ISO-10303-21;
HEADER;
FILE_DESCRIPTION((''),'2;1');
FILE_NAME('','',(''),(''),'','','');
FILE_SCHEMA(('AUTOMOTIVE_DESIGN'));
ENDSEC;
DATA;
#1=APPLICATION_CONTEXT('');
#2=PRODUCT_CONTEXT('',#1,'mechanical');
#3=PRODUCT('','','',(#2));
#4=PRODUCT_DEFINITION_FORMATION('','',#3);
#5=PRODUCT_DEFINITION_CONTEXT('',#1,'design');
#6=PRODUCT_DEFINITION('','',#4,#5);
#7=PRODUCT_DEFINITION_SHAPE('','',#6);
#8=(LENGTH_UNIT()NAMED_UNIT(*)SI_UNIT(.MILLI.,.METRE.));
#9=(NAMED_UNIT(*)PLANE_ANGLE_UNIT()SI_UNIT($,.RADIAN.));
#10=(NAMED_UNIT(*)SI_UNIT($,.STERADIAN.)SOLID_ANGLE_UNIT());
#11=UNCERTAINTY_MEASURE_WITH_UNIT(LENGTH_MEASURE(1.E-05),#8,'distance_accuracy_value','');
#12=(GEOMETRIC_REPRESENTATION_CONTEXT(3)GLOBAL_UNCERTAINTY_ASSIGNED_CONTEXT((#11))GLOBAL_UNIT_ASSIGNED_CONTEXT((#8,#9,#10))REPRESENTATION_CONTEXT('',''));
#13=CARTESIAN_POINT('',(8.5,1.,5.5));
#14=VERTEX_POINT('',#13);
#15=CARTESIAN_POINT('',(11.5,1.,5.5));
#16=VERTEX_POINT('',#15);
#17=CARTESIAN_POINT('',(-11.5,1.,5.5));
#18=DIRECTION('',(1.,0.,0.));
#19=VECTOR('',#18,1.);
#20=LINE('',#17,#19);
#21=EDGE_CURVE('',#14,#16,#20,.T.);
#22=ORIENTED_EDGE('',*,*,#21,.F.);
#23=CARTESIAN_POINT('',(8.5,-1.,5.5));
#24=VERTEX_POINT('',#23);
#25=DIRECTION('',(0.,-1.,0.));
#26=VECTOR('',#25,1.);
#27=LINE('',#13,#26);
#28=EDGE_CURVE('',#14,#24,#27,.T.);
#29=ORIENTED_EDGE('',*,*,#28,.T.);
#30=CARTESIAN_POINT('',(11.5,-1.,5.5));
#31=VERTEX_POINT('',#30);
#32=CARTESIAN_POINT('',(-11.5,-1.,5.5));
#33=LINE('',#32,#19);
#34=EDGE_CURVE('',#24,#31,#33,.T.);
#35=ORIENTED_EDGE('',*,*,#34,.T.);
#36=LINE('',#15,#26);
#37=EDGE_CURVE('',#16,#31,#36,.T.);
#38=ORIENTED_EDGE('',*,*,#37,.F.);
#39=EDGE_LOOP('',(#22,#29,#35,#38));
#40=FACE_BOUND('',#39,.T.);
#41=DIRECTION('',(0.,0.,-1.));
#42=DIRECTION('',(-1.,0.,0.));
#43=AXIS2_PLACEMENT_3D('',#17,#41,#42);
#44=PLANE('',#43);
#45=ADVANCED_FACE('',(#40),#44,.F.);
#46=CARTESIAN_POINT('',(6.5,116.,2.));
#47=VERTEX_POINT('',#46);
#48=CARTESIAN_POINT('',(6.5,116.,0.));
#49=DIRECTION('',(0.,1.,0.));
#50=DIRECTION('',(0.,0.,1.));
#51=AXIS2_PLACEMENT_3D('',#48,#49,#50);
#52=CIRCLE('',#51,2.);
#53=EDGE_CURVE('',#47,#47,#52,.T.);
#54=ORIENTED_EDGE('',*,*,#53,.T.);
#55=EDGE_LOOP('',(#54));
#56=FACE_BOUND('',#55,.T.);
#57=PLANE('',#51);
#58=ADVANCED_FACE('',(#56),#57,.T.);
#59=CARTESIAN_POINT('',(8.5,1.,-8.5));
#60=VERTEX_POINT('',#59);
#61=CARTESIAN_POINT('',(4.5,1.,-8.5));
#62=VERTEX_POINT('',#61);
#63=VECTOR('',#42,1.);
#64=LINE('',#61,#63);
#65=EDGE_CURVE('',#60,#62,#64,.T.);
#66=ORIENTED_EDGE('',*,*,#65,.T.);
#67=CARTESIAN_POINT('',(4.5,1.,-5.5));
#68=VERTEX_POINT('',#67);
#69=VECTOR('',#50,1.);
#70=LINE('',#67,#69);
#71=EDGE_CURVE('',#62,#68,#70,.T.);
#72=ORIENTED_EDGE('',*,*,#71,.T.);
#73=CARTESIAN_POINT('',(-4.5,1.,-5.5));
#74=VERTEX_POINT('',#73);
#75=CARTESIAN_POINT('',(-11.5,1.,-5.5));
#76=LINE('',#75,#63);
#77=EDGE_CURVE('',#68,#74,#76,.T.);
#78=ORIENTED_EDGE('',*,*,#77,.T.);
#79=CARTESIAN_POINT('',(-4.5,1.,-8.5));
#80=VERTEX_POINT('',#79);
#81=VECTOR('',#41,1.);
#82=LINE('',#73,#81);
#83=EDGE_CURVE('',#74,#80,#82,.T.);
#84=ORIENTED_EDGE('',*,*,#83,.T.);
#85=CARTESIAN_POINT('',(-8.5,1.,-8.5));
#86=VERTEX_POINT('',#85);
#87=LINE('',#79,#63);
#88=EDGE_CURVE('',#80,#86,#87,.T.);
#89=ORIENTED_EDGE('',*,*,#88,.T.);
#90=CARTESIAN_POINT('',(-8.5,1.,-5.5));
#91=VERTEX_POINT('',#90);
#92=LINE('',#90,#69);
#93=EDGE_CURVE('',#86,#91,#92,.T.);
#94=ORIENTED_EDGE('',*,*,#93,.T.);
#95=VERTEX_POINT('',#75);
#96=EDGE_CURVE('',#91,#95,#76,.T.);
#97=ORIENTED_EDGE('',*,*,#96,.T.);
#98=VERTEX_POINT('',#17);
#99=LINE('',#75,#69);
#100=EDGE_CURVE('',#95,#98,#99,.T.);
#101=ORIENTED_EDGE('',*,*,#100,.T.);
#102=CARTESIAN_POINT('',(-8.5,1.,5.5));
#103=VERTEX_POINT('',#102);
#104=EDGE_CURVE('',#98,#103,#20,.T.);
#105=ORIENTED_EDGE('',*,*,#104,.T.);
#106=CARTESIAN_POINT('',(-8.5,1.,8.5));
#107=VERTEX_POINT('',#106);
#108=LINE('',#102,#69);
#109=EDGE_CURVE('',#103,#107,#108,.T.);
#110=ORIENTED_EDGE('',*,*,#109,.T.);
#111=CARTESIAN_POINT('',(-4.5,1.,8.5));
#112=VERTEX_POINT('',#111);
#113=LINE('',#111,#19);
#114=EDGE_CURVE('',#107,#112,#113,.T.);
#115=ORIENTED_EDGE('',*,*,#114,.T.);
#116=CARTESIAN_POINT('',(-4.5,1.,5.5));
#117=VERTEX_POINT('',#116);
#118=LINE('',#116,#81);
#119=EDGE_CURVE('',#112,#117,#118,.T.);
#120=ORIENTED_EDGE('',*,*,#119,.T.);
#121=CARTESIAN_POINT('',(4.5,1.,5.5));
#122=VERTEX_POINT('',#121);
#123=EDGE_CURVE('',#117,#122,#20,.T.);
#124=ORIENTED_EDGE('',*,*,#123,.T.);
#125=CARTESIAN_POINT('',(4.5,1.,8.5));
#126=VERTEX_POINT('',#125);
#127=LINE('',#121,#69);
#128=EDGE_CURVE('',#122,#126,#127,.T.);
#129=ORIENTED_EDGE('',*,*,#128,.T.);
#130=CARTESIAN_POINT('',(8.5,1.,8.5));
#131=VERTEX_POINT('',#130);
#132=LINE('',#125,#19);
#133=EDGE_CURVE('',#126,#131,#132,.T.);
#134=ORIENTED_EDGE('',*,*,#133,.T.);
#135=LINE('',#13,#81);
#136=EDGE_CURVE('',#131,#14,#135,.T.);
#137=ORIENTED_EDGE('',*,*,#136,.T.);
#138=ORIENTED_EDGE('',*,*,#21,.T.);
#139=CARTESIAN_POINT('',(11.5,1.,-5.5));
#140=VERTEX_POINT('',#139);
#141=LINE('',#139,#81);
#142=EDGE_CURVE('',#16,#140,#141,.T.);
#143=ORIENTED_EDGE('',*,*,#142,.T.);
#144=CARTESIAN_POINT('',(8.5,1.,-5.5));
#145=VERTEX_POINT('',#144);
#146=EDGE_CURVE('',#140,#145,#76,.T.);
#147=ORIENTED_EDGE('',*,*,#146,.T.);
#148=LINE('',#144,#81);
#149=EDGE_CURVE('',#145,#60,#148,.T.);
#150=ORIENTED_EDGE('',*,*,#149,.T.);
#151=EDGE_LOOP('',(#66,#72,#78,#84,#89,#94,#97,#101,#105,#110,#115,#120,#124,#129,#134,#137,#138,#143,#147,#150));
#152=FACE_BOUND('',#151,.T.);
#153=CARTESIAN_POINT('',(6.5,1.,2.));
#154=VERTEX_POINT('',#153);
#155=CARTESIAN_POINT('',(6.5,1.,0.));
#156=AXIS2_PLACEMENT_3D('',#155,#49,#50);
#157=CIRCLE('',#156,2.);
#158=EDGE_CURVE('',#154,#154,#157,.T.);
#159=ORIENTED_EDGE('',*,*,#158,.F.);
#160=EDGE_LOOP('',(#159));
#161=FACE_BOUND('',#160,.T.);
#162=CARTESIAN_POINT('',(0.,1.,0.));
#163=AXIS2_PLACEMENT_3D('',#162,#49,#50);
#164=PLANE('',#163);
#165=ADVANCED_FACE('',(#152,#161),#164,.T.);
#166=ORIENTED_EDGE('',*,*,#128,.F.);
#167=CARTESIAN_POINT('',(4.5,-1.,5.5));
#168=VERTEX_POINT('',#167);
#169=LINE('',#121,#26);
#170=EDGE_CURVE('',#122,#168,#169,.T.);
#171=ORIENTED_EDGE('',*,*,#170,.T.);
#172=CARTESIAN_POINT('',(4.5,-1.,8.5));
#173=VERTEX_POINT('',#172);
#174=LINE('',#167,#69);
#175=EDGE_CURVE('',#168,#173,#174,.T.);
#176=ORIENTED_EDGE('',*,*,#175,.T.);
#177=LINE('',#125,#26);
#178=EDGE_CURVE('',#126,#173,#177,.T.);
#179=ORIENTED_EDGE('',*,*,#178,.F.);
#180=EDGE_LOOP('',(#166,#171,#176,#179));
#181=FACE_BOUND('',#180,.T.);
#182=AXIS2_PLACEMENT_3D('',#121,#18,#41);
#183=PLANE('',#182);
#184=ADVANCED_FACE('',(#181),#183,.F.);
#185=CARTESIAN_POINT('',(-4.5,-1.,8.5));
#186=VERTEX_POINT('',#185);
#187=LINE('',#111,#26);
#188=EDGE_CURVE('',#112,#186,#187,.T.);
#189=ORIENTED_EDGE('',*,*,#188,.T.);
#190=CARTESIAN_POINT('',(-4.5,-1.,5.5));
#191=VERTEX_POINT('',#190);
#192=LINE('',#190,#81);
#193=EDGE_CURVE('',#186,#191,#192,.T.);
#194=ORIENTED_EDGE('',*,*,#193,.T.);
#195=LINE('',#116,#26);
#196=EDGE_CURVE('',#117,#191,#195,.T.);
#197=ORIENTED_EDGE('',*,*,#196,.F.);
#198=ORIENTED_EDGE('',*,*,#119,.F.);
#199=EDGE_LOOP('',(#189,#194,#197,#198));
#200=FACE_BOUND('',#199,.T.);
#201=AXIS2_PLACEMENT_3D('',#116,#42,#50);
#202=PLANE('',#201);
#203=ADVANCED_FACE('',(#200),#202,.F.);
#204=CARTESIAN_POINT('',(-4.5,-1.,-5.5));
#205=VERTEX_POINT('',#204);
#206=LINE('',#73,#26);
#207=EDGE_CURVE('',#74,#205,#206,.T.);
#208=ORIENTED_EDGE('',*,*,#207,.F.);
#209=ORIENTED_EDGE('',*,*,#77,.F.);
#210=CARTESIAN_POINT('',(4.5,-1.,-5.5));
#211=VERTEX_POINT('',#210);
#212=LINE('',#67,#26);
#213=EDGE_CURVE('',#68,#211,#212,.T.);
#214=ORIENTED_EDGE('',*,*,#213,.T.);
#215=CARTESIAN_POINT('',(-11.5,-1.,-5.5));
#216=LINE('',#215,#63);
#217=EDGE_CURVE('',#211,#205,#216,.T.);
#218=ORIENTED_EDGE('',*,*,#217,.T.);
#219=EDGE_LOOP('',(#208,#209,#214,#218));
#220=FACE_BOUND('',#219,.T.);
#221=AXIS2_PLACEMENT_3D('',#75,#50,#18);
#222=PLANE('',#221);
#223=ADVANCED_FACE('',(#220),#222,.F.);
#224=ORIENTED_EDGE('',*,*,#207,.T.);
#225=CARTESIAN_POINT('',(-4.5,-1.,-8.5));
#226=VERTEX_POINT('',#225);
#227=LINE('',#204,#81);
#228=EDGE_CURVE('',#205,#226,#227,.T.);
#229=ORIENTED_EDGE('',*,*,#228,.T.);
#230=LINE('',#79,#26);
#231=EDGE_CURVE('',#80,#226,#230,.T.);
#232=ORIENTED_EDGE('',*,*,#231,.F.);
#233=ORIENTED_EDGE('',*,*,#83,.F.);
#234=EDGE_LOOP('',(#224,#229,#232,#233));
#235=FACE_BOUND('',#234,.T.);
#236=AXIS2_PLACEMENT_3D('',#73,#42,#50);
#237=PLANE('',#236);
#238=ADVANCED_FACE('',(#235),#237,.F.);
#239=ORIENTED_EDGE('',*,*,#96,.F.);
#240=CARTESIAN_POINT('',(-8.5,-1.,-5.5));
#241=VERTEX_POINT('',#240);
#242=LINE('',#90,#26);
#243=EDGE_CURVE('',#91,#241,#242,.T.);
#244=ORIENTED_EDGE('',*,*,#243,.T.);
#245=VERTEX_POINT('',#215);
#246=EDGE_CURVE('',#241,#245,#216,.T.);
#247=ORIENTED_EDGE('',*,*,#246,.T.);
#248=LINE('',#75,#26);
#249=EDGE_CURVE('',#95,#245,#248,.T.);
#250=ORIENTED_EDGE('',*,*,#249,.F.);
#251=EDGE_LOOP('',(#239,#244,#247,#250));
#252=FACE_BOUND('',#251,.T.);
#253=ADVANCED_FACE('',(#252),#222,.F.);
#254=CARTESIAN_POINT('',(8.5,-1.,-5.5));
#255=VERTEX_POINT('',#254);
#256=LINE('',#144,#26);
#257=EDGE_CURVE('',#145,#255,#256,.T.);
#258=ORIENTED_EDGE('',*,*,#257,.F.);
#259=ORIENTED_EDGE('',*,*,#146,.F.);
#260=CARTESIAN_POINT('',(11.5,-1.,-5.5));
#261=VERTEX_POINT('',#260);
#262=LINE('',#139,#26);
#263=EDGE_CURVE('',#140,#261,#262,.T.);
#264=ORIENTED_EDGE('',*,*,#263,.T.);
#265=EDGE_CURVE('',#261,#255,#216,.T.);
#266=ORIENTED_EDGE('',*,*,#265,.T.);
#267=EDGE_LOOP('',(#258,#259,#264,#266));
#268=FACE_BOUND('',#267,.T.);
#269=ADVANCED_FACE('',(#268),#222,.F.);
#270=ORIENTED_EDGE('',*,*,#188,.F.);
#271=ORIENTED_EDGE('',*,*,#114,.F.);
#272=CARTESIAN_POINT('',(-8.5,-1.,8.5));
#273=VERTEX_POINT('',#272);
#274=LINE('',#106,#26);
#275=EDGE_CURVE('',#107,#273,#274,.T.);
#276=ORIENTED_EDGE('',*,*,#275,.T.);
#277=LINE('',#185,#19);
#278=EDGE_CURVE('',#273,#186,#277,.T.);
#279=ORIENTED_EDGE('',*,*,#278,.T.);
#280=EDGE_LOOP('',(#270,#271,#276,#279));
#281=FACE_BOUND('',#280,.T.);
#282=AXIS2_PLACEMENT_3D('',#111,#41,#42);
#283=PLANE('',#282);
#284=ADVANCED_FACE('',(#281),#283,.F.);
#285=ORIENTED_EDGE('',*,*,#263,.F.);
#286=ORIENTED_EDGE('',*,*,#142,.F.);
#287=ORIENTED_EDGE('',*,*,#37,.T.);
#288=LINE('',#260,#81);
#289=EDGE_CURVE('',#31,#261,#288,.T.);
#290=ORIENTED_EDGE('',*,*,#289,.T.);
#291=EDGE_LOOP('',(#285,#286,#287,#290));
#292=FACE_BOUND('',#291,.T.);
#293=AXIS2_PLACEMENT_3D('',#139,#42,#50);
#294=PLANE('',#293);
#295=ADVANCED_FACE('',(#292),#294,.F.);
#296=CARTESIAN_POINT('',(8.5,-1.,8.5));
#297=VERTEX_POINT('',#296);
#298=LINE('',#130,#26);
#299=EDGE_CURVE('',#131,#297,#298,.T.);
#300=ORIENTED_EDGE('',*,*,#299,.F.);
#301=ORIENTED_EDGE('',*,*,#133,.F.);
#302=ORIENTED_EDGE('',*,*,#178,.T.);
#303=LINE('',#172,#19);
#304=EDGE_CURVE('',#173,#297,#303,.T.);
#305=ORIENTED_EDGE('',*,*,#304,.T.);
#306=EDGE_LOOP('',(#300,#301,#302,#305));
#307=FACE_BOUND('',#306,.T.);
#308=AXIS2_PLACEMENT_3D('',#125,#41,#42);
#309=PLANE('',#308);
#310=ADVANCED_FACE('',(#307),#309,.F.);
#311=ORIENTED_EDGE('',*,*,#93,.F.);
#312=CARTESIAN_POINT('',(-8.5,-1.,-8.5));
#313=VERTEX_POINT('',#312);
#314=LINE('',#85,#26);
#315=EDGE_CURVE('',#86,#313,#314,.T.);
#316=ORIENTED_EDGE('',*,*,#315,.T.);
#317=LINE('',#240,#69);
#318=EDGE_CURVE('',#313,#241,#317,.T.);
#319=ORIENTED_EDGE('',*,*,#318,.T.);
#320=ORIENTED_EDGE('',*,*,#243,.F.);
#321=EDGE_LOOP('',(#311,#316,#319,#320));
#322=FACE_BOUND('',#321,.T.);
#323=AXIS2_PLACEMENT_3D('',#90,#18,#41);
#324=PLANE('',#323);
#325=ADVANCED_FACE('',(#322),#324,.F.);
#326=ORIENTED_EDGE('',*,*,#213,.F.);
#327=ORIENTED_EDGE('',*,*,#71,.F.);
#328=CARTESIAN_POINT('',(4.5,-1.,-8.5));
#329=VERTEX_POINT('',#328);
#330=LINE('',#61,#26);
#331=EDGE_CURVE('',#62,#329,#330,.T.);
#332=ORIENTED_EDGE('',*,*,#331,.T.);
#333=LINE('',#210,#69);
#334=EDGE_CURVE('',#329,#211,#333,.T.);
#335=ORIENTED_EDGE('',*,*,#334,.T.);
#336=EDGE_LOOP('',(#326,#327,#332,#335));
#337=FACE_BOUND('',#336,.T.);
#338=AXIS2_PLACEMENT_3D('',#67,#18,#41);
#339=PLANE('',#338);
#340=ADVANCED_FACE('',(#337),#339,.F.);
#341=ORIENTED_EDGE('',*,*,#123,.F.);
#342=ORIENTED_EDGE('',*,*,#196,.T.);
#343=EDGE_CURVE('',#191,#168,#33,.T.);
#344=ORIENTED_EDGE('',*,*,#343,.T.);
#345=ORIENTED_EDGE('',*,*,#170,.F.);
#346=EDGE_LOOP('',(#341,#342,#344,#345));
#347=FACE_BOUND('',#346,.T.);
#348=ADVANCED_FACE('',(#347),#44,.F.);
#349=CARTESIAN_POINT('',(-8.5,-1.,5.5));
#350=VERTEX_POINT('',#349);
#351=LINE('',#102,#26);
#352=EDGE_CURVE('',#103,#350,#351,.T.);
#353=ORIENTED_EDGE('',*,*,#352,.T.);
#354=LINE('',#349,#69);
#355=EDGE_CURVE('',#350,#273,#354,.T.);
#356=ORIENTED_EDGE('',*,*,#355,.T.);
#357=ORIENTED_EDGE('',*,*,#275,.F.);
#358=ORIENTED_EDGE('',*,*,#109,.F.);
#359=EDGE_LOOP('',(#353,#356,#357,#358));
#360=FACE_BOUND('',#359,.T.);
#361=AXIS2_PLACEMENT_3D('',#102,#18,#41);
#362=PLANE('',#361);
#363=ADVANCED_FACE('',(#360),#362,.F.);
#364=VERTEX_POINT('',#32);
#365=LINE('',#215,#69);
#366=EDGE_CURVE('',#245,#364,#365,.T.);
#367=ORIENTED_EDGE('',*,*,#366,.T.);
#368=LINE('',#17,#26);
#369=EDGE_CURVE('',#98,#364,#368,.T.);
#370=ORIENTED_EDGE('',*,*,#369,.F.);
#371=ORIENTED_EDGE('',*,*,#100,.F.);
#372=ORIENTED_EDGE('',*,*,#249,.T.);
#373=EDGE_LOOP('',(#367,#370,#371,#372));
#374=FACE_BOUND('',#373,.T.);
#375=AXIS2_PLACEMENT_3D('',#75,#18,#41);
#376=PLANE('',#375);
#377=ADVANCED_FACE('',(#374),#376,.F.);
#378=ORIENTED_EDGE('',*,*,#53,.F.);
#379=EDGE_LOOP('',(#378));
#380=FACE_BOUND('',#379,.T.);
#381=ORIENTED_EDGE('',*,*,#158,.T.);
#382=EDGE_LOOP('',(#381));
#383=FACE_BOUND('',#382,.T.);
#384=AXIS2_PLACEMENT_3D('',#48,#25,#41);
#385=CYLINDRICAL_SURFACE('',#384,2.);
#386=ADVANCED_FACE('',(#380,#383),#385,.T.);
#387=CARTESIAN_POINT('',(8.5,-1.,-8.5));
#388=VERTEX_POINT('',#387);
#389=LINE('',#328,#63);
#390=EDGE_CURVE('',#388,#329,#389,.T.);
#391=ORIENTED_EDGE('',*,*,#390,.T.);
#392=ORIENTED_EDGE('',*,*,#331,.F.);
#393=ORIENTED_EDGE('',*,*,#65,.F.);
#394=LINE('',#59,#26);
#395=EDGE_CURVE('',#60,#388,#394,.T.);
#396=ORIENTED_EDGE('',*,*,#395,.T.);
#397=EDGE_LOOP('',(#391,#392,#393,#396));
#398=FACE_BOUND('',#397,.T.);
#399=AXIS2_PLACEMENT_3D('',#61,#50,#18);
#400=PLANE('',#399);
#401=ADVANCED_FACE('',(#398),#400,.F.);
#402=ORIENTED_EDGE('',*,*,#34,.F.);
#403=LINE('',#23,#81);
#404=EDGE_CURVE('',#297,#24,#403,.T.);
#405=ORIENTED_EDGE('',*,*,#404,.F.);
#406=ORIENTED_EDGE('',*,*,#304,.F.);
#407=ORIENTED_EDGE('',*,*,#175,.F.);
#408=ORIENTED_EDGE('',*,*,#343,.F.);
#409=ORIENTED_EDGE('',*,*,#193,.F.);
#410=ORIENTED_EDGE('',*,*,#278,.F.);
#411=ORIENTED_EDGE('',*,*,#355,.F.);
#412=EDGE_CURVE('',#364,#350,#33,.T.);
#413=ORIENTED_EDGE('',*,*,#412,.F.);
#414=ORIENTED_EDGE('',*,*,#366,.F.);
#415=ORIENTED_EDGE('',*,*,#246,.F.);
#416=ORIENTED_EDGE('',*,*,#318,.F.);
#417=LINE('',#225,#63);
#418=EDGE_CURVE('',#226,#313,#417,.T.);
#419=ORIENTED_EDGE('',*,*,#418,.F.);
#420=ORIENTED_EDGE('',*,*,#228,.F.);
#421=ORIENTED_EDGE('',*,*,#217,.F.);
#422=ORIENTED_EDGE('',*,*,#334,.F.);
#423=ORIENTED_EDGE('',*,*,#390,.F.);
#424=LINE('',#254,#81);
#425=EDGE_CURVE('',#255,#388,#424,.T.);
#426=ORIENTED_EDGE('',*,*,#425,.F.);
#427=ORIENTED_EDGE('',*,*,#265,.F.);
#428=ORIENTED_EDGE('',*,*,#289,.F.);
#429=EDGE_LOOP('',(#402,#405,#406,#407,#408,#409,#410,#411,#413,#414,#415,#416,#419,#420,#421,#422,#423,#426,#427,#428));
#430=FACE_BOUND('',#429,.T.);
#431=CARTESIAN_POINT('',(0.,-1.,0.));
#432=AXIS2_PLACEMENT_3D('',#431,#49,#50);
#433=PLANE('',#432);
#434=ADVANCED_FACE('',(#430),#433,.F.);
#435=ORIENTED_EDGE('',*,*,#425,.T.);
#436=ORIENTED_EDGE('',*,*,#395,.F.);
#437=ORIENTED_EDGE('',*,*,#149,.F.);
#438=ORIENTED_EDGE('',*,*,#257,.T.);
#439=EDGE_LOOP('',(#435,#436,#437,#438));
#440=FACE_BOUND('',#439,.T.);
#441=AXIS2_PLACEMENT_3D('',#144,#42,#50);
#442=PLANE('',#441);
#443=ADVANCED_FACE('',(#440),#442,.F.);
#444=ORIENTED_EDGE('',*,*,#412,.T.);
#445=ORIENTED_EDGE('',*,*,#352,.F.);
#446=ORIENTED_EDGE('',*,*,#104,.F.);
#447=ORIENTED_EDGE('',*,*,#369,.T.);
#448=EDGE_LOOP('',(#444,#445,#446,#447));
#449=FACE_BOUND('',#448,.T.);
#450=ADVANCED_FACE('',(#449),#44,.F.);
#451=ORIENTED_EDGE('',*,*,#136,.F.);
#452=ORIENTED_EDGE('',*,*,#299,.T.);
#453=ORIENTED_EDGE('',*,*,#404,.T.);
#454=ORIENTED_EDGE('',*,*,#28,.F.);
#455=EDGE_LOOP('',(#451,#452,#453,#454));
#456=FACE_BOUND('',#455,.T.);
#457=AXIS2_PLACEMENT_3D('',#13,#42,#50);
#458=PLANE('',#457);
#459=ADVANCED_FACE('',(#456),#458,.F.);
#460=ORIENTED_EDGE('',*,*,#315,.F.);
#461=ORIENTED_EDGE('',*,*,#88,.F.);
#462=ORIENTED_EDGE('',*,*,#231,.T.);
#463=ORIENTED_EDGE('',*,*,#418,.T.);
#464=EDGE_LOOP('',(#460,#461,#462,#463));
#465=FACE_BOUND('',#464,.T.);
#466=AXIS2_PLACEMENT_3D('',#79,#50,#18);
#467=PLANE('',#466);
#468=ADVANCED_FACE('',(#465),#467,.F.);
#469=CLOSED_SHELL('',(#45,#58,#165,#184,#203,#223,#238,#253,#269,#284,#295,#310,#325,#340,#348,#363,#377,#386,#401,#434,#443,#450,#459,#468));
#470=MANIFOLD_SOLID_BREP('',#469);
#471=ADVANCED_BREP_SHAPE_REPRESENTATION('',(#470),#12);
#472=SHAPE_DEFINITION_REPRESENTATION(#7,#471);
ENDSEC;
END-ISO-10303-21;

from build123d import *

# Parameters (mm, degrees)
SKETCH1_W           = 23
SKETCH1_H           = 11
BOSS_EXTRUDE1_DEPTH = 1
SKETCH3_W           = 4
SKETCH3_H           = 3
BOSS_EXTRUDE3_DEPTH = 1
SKETCH2_R           = 2
BOSS_EXTRUDE2_DEPTH = 115


with BuildPart() as part:
    # Sketch1 → Boss-Extrude1 (new, symmetric)
    with BuildSketch(Plane(origin=(0, 0, 0), x_dir=(1, 0, 0), z_dir=(0, 1, 0))):
        Rectangle(SKETCH1_W, SKETCH1_H)
    extrude(amount=BOSS_EXTRUDE1_DEPTH, both=True)

    # Sketch3 → Boss-Extrude3 (add, symmetric)
    with BuildSketch(Plane(origin=(0, 0, 0), x_dir=(1, 0, 0), z_dir=(0, 1, 0))):
        with Locations((6.5, 7)):
            Rectangle(SKETCH3_W, SKETCH3_H)
        with Locations((6.5, -7)):
            Rectangle(SKETCH3_W, SKETCH3_H)
        with Locations((-6.5, -7)):
            Rectangle(SKETCH3_W, SKETCH3_H)
        with Locations((-6.5, 7)):
            Rectangle(SKETCH3_W, SKETCH3_H)
    extrude(amount=BOSS_EXTRUDE3_DEPTH, both=True)

    # Sketch2 → Boss-Extrude2 (add)
    with BuildSketch(Plane(origin=(0, 1, 0), x_dir=(1, 0, 0), z_dir=(0, 1, 0))):
        with Locations(Location((6.5, 0, 0), (0, 0, 270))):
            Circle(SKETCH2_R)
    extrude(amount=BOSS_EXTRUDE2_DEPTH)


solid = part.part
